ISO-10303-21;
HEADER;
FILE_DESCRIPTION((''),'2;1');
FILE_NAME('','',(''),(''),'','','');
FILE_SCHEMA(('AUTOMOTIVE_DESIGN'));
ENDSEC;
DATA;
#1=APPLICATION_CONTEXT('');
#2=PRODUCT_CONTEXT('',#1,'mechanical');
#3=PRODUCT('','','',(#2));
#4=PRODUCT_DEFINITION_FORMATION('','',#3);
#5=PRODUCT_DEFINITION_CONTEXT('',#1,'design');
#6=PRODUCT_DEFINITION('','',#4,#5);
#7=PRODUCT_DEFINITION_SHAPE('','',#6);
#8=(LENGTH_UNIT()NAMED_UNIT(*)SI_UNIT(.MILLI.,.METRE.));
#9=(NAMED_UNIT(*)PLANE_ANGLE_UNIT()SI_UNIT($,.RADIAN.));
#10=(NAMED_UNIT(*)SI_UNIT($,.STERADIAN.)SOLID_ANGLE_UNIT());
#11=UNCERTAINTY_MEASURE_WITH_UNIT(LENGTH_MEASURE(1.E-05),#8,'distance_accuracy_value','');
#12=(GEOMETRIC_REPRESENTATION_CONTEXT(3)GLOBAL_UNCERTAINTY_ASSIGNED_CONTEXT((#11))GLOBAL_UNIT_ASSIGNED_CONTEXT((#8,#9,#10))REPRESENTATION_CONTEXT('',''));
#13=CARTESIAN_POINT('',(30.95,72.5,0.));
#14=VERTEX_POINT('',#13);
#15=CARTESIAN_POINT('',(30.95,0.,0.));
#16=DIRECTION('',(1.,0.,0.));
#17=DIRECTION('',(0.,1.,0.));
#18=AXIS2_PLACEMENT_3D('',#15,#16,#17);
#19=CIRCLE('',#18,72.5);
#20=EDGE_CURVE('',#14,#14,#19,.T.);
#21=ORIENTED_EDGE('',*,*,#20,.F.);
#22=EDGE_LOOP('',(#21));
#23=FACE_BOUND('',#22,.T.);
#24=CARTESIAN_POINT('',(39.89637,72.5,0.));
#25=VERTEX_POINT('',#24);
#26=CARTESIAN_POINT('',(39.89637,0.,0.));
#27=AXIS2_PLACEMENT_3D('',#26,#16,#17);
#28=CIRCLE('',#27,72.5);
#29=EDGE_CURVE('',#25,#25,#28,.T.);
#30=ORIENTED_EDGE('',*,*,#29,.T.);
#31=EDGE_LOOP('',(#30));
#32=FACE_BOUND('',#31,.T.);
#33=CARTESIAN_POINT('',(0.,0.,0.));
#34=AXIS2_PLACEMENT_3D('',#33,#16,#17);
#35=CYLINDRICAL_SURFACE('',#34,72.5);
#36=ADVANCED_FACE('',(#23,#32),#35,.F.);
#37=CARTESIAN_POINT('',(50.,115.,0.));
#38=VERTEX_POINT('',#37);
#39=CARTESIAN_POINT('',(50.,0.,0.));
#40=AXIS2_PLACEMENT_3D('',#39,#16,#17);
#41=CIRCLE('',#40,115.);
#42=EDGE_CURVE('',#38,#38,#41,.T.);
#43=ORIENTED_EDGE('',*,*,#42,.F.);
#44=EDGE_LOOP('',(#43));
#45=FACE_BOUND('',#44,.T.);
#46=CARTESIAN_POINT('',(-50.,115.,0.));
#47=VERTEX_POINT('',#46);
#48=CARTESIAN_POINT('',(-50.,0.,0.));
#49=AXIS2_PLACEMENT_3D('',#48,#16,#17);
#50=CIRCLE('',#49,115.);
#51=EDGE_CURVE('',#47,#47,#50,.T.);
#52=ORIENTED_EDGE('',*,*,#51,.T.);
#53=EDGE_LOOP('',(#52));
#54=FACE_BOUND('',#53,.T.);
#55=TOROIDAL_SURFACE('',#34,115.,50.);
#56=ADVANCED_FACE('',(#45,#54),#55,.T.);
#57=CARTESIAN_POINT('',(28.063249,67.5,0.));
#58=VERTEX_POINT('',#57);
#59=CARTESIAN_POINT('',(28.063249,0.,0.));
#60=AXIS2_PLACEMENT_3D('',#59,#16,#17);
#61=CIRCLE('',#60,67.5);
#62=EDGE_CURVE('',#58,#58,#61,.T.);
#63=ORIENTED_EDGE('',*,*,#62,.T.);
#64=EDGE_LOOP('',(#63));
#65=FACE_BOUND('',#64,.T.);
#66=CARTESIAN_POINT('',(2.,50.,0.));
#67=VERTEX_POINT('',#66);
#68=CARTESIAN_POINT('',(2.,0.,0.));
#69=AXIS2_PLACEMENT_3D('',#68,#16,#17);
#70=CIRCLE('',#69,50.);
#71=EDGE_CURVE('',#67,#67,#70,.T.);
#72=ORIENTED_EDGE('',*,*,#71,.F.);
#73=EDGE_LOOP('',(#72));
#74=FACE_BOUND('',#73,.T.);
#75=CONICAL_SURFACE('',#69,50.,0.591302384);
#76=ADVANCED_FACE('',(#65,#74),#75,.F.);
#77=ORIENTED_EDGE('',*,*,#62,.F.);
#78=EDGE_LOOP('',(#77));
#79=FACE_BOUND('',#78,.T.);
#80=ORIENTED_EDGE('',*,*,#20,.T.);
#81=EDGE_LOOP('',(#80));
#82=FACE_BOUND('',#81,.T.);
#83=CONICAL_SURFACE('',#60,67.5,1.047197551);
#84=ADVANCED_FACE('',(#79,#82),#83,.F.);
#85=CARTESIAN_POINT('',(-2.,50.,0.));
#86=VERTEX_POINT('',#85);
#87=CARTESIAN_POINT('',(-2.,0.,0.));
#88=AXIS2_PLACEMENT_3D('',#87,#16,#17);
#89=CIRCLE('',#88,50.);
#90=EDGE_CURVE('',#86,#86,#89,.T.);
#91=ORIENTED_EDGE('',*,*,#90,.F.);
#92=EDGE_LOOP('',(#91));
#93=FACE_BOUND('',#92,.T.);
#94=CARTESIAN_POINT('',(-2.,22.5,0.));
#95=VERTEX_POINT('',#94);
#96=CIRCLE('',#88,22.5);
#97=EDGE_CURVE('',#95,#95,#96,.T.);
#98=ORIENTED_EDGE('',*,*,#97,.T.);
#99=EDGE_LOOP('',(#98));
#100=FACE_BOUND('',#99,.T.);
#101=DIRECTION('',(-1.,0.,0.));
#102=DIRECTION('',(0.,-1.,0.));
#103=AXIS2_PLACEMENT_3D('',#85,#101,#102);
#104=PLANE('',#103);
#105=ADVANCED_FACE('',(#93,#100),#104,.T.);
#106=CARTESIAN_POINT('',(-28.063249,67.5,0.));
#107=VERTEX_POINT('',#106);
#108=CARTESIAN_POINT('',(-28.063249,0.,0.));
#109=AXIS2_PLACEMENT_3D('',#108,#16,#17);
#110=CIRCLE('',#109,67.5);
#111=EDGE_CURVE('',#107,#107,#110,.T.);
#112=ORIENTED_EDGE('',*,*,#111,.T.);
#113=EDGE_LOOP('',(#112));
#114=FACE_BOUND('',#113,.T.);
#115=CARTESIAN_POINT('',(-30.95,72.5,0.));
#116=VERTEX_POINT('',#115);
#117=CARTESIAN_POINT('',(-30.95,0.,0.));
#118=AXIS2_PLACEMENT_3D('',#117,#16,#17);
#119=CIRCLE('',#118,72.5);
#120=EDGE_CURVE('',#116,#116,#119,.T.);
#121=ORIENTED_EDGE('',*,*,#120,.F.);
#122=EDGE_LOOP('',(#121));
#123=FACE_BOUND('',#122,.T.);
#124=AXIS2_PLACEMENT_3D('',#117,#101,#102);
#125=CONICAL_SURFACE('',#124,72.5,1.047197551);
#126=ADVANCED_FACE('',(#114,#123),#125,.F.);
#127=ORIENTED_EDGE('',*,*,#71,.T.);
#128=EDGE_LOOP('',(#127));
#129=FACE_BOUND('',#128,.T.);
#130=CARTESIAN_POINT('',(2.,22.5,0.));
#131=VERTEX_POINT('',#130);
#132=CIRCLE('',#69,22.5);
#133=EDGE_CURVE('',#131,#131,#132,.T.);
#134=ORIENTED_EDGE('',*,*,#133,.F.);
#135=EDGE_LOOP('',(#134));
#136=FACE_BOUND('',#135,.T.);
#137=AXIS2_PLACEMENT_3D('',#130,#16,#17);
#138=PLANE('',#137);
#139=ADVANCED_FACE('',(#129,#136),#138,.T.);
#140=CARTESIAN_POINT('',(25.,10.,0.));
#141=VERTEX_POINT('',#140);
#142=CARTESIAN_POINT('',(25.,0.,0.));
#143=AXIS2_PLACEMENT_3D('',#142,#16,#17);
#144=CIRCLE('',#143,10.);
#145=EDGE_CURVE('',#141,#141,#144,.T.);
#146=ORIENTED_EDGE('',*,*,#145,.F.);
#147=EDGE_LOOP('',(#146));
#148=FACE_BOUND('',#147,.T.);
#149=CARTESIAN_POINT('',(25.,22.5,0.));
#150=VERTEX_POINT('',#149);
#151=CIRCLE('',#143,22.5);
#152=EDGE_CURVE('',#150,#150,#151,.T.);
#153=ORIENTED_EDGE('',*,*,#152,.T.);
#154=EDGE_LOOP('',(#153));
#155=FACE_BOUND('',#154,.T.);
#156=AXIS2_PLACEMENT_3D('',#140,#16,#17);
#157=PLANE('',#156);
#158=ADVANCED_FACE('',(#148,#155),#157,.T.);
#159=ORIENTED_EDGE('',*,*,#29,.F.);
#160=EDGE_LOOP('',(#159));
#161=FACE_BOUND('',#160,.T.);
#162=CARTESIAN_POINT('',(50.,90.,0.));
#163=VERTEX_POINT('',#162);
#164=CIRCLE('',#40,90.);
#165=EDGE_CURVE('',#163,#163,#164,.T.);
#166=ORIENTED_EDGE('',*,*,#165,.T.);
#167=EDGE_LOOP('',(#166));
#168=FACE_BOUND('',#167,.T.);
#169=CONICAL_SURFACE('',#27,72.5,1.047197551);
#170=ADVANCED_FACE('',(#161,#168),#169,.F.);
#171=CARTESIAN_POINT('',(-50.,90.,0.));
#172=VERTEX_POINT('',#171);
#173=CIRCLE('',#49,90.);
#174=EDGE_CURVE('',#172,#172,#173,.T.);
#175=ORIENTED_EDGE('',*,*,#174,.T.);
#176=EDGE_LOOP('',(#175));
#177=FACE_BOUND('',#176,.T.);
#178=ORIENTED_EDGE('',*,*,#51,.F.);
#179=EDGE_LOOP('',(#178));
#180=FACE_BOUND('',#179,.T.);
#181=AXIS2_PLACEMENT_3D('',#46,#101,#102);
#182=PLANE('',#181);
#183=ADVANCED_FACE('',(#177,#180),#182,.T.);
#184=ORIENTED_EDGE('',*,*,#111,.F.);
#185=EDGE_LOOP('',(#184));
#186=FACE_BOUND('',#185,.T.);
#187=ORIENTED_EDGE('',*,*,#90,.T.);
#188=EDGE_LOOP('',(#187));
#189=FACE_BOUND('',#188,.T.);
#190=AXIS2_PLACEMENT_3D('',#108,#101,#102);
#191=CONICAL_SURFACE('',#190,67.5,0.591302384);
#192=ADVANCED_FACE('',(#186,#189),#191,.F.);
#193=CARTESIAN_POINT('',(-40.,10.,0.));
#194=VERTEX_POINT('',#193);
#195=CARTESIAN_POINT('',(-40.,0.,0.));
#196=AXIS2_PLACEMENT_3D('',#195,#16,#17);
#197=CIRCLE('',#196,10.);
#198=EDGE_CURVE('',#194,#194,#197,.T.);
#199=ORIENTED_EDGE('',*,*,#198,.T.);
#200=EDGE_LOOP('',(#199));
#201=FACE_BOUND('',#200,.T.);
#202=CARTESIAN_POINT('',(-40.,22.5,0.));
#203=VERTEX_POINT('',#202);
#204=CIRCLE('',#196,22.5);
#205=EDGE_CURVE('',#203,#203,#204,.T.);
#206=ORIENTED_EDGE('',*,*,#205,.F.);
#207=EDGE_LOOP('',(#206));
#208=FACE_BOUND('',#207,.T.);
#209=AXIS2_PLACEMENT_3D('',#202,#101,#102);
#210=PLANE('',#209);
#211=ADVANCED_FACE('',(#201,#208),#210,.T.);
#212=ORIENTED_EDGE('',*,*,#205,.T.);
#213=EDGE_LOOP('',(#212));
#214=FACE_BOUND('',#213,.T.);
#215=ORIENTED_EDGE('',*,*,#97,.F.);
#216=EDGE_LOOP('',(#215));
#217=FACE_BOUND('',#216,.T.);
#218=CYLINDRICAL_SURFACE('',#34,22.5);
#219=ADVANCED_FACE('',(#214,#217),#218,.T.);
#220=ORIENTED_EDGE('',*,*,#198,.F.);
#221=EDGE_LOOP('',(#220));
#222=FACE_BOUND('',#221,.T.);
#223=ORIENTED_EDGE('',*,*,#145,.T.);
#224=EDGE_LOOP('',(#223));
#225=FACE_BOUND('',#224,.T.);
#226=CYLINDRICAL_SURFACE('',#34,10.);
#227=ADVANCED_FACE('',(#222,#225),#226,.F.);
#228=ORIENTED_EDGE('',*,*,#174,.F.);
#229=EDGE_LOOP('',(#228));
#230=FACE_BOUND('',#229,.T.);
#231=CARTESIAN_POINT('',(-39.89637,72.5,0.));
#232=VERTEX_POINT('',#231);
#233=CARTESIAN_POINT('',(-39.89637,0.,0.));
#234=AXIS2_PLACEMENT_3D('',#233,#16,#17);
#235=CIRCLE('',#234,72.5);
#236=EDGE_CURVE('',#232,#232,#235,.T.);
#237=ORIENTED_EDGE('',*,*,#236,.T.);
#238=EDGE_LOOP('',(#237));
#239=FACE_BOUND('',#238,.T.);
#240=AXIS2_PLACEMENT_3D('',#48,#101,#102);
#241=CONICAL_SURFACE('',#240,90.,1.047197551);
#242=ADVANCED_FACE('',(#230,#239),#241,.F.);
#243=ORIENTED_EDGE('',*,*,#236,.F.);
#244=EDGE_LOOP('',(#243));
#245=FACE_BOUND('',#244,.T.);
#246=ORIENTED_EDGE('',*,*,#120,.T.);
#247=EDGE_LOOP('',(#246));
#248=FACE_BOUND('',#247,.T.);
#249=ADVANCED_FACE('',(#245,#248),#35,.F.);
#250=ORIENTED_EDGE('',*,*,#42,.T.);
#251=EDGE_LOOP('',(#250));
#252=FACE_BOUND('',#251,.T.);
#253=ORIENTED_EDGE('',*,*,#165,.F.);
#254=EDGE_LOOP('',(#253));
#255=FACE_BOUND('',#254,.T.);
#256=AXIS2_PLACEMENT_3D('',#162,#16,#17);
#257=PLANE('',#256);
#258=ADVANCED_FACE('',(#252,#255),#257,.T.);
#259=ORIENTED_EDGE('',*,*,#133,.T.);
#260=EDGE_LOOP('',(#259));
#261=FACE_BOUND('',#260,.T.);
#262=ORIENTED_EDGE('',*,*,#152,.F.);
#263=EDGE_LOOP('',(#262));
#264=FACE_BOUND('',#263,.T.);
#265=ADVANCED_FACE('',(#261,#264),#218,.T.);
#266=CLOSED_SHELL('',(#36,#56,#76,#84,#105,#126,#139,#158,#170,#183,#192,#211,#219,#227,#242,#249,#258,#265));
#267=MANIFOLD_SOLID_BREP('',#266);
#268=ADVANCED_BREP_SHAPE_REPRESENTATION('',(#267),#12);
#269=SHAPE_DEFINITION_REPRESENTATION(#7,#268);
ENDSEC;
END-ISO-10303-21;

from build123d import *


with BuildPart() as part:
    # Sketch1 → Revolve1 (revolve)
    with BuildSketch(Plane.XY):
        with BuildLine():
            Line((50, 90), (50, 115))
            ThreePointArc((50, 115), (0, 165), (-50, 115))
            Line((-50, 115), (-50, 90))
            Line((-50, 90), (-39.896370289, 72.5))
            Line((-39.896370289, 72.5), (-30.95, 72.5))
            Line((-30.95, 72.5), (-28.063248654, 67.5))
            Line((-28.063248654, 67.5), (-2, 50))
            Line((-2, 50), (-2, 22.5))
            Line((-2, 22.5), (-40, 22.5))
            Line((-40, 22.5), (-40, 10))
            Line((-40, 10), (0, 10))
            Line((0, 10), (25, 10))
            Line((25, 10), (25, 22.5))
            Line((25, 22.5), (2, 22.5))
            Line((2, 22.5), (2, 50))
            Line((2, 50), (28.063248654, 67.5))
            Line((28.063248654, 67.5), (30.95, 72.5))
            Line((30.95, 72.5), (39.896370289, 72.5))
            Line((39.896370289, 72.5), (50, 90))
        make_face()
    revolve(axis=Axis((0, 0, 0), (-1, 0, 0)))


solid = part.part
